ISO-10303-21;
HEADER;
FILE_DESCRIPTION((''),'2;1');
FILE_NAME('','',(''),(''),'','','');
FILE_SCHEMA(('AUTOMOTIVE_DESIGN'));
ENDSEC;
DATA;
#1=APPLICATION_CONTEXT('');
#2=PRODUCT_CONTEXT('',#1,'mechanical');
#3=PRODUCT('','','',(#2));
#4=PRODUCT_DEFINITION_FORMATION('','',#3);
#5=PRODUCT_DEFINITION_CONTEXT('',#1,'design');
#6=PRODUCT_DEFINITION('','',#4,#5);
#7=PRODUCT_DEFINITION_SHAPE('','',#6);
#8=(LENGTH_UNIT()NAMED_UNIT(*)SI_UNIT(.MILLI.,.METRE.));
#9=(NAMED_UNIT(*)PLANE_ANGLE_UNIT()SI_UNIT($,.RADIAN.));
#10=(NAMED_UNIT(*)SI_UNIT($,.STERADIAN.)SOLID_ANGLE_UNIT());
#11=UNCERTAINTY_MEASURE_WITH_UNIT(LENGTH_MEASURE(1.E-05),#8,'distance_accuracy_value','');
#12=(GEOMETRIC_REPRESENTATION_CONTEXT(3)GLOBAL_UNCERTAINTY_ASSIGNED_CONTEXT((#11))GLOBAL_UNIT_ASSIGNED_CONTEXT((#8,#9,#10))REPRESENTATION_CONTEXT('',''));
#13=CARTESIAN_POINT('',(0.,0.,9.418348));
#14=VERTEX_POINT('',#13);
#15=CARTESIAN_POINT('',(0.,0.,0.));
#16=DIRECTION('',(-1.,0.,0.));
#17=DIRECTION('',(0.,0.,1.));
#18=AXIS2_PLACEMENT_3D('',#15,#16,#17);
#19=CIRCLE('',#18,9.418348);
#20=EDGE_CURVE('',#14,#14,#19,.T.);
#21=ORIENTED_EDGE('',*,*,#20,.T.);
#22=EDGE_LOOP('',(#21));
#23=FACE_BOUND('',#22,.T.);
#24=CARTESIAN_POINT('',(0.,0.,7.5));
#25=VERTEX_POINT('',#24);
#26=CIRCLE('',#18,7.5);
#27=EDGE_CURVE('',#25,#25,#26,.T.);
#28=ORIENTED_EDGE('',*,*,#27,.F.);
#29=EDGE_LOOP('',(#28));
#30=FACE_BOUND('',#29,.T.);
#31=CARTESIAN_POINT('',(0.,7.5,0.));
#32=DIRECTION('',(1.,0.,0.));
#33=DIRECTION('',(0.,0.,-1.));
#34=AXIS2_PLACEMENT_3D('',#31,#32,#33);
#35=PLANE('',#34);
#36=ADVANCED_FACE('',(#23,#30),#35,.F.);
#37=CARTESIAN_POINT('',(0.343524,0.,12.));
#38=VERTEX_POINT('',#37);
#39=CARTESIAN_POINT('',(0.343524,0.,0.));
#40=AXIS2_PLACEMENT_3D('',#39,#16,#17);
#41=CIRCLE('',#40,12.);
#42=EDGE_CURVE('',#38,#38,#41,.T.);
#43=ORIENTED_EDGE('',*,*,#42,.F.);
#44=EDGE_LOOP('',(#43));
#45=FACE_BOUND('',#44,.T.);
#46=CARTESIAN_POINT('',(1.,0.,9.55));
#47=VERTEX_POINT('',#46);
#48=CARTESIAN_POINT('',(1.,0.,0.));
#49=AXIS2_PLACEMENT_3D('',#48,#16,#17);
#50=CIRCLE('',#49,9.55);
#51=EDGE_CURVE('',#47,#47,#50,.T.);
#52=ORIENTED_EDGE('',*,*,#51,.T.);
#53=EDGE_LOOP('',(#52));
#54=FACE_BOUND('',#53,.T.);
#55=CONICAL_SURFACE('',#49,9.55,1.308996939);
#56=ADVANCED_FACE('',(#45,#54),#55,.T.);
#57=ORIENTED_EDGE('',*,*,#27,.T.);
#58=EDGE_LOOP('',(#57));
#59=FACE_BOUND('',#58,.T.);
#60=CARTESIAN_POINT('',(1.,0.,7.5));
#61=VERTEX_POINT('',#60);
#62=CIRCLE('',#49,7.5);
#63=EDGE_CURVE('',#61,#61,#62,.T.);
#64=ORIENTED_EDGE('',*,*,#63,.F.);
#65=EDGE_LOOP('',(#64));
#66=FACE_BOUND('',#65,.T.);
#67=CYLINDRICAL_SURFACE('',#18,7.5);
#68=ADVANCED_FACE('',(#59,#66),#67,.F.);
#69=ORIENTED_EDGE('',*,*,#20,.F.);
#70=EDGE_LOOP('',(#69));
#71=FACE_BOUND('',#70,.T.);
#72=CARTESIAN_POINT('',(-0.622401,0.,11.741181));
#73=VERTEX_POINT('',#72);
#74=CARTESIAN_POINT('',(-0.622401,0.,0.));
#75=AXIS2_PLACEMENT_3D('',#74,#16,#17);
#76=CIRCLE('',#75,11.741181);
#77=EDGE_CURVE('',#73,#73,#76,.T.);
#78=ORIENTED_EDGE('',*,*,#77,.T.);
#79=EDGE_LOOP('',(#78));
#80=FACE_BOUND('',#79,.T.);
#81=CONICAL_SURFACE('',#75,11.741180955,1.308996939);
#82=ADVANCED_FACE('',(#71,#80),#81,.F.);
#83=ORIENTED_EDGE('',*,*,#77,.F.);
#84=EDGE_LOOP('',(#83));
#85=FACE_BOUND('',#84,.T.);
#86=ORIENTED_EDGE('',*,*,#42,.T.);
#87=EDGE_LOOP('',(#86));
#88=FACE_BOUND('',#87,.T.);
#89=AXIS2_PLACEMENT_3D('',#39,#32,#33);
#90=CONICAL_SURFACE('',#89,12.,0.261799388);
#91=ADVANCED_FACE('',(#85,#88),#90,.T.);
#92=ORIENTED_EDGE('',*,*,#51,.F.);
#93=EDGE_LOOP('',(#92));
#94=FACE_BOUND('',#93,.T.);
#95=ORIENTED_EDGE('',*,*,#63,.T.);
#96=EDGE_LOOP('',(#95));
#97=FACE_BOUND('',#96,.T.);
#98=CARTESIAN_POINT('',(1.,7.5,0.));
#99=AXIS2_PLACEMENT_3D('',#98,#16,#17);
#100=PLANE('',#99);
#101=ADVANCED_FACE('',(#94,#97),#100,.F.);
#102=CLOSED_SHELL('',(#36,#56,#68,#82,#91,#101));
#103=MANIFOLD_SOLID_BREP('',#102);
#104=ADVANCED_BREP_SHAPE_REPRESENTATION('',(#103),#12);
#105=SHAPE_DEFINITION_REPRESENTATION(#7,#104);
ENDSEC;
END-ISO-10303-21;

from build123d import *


with BuildPart() as part:
    # Sketch1 → Revolve1 (revolve)
    with BuildSketch(Plane.XY):
        Polygon((0, 7.5), (0, 9.418347502), (-0.622401348, 11.741180955), (0.343524479, 12), (1, 9.55), (1, 7.5), align=None)
    revolve(axis=Axis((0, 0, 0), (1, 0, 0)))


solid = part.part
